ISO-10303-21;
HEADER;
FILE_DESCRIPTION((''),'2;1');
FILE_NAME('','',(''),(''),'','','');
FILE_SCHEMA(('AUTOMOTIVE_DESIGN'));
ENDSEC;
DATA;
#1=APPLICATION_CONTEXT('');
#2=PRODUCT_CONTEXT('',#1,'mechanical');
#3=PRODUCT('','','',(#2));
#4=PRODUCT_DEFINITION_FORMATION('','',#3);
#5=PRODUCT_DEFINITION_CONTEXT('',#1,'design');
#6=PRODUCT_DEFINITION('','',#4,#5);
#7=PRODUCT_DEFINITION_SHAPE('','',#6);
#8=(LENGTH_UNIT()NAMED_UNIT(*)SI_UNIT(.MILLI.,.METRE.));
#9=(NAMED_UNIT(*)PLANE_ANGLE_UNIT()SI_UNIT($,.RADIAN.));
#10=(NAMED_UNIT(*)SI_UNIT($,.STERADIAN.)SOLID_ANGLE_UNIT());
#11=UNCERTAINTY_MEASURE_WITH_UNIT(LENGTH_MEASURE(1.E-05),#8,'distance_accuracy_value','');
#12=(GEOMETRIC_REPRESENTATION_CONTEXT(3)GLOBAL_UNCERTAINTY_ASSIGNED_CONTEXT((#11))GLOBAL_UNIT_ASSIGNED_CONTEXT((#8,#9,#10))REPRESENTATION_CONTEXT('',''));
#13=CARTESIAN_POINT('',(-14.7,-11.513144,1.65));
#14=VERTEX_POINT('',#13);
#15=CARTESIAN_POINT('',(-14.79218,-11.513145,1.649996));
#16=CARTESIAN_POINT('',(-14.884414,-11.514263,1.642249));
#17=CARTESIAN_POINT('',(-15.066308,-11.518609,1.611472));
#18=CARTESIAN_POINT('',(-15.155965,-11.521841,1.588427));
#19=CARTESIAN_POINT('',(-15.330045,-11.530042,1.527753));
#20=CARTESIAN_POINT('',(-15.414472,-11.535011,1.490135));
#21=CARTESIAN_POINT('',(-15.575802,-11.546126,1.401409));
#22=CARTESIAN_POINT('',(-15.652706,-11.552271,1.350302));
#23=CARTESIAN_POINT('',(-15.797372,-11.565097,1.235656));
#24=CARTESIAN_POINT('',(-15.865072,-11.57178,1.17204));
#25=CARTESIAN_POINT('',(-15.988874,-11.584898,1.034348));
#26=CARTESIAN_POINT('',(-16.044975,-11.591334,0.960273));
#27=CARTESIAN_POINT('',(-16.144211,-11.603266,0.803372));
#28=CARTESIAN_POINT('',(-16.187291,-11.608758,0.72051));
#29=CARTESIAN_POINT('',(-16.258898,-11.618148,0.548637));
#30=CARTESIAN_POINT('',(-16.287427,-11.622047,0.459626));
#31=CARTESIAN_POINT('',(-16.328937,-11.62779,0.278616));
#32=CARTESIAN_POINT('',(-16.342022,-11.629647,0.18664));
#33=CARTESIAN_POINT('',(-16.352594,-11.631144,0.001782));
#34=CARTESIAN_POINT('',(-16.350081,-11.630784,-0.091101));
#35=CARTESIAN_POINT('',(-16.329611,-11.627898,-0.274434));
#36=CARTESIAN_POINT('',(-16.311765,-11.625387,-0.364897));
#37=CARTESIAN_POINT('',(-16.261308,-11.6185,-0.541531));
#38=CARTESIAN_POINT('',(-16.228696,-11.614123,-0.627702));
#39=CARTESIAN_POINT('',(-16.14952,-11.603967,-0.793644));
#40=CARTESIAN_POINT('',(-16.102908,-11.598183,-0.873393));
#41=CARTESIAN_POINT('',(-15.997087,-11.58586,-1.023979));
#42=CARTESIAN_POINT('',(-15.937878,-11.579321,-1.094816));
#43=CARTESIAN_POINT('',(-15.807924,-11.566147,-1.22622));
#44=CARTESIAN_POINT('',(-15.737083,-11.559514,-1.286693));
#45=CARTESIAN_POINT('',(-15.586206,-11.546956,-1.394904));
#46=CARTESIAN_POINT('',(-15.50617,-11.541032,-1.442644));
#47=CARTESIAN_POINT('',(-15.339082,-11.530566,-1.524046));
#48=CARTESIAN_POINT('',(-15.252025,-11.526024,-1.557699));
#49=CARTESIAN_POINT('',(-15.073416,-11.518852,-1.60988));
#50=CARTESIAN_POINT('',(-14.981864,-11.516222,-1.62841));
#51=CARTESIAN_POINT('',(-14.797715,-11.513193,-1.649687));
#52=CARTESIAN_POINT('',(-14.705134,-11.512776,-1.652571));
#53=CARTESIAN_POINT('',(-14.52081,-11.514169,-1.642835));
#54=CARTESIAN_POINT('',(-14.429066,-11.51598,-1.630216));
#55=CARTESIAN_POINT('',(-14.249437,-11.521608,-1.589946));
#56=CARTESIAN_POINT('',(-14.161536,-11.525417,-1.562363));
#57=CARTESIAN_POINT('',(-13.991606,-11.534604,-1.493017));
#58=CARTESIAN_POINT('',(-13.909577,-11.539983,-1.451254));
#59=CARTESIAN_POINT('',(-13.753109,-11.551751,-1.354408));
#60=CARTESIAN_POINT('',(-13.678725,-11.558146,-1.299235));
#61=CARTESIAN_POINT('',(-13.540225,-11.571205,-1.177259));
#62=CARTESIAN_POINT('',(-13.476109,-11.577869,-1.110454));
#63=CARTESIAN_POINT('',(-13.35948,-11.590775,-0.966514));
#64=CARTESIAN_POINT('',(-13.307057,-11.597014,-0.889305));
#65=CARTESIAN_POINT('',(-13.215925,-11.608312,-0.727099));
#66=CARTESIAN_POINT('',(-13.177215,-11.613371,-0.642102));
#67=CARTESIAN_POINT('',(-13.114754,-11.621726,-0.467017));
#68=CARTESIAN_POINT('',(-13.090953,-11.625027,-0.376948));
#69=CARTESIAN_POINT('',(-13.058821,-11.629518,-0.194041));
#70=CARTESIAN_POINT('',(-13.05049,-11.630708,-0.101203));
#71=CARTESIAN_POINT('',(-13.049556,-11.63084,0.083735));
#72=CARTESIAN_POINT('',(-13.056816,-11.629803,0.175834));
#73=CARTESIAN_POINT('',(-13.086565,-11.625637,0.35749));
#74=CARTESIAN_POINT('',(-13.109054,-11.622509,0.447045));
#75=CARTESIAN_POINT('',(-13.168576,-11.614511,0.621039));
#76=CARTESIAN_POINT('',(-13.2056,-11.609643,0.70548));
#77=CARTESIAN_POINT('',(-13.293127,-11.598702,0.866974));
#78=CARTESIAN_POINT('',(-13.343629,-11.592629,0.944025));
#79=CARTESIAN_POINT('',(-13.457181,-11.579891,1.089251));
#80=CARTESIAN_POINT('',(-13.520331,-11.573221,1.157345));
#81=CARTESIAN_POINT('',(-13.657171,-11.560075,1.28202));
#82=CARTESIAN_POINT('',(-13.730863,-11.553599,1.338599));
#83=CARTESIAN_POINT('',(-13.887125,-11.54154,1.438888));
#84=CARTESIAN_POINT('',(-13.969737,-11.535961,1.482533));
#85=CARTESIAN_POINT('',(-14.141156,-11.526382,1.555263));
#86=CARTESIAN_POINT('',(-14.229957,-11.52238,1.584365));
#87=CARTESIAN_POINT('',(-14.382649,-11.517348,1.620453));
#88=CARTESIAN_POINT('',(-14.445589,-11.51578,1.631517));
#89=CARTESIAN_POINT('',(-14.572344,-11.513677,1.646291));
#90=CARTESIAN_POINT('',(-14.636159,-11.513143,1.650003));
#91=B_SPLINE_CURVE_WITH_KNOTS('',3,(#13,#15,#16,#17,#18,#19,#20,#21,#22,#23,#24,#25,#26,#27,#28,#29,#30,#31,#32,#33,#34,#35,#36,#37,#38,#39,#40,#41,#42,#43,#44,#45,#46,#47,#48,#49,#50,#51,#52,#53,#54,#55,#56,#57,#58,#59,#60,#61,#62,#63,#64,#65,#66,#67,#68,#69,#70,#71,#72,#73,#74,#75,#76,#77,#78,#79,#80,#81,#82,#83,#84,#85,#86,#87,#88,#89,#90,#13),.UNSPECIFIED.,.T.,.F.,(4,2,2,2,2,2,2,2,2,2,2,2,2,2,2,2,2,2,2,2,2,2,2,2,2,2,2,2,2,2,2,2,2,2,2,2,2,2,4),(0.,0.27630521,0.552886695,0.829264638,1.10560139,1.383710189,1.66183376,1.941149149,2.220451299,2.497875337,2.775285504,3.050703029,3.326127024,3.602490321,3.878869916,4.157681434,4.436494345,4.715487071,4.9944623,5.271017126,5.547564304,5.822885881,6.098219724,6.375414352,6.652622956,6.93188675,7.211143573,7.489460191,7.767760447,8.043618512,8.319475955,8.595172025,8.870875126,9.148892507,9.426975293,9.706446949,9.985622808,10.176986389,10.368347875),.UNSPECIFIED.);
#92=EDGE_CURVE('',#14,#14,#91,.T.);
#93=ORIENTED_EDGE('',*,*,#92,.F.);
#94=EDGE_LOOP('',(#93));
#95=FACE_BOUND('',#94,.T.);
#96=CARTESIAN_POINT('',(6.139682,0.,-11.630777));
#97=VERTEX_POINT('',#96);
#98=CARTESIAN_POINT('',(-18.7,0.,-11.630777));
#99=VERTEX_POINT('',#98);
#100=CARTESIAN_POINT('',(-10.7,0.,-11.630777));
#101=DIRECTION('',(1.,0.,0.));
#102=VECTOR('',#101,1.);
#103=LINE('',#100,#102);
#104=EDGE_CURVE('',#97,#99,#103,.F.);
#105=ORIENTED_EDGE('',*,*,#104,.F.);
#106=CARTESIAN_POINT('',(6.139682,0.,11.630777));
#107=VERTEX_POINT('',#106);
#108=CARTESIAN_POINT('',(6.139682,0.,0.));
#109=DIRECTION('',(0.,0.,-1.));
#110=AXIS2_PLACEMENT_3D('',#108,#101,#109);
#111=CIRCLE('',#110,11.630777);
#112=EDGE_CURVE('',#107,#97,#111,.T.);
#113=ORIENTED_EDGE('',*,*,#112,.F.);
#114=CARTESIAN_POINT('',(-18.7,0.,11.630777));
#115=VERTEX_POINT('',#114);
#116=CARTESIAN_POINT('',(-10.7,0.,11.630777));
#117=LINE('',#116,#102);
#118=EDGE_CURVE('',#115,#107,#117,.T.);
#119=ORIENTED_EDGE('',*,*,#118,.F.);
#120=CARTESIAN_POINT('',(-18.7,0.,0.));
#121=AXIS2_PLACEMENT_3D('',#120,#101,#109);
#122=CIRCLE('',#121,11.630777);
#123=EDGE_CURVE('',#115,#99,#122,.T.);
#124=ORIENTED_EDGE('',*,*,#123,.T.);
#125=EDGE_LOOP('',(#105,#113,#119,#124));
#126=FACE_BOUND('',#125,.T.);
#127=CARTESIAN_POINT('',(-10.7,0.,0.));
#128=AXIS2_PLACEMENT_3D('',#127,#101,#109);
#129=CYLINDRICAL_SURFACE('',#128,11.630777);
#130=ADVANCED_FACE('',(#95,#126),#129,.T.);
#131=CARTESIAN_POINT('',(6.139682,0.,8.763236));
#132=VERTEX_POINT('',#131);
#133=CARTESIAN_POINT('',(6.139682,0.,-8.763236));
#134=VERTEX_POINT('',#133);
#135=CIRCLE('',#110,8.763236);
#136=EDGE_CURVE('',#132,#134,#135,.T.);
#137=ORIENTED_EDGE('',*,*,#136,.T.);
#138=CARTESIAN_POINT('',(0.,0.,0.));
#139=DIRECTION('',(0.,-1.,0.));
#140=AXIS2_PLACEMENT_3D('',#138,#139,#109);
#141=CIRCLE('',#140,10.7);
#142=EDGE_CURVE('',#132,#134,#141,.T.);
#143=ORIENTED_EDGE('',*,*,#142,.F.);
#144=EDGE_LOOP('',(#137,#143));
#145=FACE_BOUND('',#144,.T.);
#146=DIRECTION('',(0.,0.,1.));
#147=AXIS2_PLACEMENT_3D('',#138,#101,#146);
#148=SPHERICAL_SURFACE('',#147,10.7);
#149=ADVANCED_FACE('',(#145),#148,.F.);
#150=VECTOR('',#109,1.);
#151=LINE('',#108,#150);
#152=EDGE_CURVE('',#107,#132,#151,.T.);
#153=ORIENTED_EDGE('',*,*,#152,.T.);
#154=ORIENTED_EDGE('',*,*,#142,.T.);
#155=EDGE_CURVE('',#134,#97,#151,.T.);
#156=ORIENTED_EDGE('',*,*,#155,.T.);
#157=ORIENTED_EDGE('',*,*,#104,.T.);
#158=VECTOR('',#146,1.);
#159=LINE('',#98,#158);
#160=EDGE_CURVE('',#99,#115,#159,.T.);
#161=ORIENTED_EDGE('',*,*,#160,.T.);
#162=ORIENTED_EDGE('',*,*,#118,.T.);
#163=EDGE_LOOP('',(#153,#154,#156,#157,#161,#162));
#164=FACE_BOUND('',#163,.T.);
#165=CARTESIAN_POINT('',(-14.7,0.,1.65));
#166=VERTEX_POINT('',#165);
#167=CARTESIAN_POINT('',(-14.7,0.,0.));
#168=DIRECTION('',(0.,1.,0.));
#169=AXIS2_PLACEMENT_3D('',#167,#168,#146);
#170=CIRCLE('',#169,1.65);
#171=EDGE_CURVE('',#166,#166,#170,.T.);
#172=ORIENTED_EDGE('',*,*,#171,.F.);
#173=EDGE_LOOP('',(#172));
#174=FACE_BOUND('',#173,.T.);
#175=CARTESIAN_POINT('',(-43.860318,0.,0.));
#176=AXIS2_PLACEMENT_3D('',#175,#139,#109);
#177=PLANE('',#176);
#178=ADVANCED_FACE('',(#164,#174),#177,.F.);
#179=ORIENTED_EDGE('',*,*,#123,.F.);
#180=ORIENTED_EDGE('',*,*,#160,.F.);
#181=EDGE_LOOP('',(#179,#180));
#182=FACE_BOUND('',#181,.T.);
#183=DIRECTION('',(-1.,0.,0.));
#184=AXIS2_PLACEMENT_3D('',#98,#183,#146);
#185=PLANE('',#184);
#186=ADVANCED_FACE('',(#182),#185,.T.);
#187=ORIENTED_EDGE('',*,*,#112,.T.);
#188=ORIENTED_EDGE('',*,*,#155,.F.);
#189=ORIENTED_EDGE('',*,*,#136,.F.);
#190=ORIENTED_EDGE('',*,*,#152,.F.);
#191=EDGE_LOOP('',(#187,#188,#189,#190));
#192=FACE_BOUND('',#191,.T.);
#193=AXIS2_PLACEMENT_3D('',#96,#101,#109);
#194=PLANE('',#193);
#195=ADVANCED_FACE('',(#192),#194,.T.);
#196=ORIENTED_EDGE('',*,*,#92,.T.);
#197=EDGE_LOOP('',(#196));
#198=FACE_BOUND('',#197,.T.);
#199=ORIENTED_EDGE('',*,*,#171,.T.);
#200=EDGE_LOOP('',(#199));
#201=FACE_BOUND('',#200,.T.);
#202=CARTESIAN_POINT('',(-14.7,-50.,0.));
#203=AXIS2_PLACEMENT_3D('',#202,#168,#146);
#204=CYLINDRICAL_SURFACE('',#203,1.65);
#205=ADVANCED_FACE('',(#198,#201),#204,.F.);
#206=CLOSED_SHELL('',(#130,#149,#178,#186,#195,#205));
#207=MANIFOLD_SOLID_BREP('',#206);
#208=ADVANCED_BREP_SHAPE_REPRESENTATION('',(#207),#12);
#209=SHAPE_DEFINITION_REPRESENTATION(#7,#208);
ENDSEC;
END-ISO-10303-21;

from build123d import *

# Parameters (mm, degrees)
CORTAR_EXTRUIR5_DEPTH = 50
CROQUIS8_R            = 1.65
CORTAR_EXTRUIR6_DEPTH = 50


with BuildPart() as part:
    # Croquis1 → Revolución4 (revolve)
    with BuildSketch(Plane(origin=(0, 0, 0), x_dir=(1, 0, 0), z_dir=(0, 1, 0))):
        with BuildLine():
            Line((-10.7, 0), (-18.7, 0))
            Line((-18.7, 0), (-18.7, 11.630777084))
            Line((-18.7, 11.630777084), (6.139681858, 11.630777084))
            Line((6.139681858, 11.630777084), (6.139681858, 8.763236085))
            ThreePointArc((6.139681858, 8.763236085), (-4.939403006, 9.491696263), (-10.7, 0))
        make_face()
    revolve(axis=Axis((-10.7, 0, 0), (-1, 0, 0)))

    # Croquis7 → Cortar-Extruir5 (cut)
    with BuildSketch(Plane(origin=(6.139681858, 0, 0), x_dir=(0, 0, -1), z_dir=(1, 0, 0))):
        Polygon((0, 0), (14.104035702, 0), (14.104035702, 12.472423118), (-13.194097915, 12.472423118), (-13.194097915, 0), align=None)
    extrude(amount=-CORTAR_EXTRUIR5_DEPTH, mode=Mode.SUBTRACT)

    # Croquis8 → Cortar-Extruir6 (cut)
    with BuildSketch(Plane(origin=(0, 0, 0), x_dir=(1, 0, 0), z_dir=(0, 1, 0))):
        with Locations((-14.7, 0)):
            Circle(CROQUIS8_R)
    extrude(amount=-CORTAR_EXTRUIR6_DEPTH, mode=Mode.SUBTRACT)


solid = part.part
